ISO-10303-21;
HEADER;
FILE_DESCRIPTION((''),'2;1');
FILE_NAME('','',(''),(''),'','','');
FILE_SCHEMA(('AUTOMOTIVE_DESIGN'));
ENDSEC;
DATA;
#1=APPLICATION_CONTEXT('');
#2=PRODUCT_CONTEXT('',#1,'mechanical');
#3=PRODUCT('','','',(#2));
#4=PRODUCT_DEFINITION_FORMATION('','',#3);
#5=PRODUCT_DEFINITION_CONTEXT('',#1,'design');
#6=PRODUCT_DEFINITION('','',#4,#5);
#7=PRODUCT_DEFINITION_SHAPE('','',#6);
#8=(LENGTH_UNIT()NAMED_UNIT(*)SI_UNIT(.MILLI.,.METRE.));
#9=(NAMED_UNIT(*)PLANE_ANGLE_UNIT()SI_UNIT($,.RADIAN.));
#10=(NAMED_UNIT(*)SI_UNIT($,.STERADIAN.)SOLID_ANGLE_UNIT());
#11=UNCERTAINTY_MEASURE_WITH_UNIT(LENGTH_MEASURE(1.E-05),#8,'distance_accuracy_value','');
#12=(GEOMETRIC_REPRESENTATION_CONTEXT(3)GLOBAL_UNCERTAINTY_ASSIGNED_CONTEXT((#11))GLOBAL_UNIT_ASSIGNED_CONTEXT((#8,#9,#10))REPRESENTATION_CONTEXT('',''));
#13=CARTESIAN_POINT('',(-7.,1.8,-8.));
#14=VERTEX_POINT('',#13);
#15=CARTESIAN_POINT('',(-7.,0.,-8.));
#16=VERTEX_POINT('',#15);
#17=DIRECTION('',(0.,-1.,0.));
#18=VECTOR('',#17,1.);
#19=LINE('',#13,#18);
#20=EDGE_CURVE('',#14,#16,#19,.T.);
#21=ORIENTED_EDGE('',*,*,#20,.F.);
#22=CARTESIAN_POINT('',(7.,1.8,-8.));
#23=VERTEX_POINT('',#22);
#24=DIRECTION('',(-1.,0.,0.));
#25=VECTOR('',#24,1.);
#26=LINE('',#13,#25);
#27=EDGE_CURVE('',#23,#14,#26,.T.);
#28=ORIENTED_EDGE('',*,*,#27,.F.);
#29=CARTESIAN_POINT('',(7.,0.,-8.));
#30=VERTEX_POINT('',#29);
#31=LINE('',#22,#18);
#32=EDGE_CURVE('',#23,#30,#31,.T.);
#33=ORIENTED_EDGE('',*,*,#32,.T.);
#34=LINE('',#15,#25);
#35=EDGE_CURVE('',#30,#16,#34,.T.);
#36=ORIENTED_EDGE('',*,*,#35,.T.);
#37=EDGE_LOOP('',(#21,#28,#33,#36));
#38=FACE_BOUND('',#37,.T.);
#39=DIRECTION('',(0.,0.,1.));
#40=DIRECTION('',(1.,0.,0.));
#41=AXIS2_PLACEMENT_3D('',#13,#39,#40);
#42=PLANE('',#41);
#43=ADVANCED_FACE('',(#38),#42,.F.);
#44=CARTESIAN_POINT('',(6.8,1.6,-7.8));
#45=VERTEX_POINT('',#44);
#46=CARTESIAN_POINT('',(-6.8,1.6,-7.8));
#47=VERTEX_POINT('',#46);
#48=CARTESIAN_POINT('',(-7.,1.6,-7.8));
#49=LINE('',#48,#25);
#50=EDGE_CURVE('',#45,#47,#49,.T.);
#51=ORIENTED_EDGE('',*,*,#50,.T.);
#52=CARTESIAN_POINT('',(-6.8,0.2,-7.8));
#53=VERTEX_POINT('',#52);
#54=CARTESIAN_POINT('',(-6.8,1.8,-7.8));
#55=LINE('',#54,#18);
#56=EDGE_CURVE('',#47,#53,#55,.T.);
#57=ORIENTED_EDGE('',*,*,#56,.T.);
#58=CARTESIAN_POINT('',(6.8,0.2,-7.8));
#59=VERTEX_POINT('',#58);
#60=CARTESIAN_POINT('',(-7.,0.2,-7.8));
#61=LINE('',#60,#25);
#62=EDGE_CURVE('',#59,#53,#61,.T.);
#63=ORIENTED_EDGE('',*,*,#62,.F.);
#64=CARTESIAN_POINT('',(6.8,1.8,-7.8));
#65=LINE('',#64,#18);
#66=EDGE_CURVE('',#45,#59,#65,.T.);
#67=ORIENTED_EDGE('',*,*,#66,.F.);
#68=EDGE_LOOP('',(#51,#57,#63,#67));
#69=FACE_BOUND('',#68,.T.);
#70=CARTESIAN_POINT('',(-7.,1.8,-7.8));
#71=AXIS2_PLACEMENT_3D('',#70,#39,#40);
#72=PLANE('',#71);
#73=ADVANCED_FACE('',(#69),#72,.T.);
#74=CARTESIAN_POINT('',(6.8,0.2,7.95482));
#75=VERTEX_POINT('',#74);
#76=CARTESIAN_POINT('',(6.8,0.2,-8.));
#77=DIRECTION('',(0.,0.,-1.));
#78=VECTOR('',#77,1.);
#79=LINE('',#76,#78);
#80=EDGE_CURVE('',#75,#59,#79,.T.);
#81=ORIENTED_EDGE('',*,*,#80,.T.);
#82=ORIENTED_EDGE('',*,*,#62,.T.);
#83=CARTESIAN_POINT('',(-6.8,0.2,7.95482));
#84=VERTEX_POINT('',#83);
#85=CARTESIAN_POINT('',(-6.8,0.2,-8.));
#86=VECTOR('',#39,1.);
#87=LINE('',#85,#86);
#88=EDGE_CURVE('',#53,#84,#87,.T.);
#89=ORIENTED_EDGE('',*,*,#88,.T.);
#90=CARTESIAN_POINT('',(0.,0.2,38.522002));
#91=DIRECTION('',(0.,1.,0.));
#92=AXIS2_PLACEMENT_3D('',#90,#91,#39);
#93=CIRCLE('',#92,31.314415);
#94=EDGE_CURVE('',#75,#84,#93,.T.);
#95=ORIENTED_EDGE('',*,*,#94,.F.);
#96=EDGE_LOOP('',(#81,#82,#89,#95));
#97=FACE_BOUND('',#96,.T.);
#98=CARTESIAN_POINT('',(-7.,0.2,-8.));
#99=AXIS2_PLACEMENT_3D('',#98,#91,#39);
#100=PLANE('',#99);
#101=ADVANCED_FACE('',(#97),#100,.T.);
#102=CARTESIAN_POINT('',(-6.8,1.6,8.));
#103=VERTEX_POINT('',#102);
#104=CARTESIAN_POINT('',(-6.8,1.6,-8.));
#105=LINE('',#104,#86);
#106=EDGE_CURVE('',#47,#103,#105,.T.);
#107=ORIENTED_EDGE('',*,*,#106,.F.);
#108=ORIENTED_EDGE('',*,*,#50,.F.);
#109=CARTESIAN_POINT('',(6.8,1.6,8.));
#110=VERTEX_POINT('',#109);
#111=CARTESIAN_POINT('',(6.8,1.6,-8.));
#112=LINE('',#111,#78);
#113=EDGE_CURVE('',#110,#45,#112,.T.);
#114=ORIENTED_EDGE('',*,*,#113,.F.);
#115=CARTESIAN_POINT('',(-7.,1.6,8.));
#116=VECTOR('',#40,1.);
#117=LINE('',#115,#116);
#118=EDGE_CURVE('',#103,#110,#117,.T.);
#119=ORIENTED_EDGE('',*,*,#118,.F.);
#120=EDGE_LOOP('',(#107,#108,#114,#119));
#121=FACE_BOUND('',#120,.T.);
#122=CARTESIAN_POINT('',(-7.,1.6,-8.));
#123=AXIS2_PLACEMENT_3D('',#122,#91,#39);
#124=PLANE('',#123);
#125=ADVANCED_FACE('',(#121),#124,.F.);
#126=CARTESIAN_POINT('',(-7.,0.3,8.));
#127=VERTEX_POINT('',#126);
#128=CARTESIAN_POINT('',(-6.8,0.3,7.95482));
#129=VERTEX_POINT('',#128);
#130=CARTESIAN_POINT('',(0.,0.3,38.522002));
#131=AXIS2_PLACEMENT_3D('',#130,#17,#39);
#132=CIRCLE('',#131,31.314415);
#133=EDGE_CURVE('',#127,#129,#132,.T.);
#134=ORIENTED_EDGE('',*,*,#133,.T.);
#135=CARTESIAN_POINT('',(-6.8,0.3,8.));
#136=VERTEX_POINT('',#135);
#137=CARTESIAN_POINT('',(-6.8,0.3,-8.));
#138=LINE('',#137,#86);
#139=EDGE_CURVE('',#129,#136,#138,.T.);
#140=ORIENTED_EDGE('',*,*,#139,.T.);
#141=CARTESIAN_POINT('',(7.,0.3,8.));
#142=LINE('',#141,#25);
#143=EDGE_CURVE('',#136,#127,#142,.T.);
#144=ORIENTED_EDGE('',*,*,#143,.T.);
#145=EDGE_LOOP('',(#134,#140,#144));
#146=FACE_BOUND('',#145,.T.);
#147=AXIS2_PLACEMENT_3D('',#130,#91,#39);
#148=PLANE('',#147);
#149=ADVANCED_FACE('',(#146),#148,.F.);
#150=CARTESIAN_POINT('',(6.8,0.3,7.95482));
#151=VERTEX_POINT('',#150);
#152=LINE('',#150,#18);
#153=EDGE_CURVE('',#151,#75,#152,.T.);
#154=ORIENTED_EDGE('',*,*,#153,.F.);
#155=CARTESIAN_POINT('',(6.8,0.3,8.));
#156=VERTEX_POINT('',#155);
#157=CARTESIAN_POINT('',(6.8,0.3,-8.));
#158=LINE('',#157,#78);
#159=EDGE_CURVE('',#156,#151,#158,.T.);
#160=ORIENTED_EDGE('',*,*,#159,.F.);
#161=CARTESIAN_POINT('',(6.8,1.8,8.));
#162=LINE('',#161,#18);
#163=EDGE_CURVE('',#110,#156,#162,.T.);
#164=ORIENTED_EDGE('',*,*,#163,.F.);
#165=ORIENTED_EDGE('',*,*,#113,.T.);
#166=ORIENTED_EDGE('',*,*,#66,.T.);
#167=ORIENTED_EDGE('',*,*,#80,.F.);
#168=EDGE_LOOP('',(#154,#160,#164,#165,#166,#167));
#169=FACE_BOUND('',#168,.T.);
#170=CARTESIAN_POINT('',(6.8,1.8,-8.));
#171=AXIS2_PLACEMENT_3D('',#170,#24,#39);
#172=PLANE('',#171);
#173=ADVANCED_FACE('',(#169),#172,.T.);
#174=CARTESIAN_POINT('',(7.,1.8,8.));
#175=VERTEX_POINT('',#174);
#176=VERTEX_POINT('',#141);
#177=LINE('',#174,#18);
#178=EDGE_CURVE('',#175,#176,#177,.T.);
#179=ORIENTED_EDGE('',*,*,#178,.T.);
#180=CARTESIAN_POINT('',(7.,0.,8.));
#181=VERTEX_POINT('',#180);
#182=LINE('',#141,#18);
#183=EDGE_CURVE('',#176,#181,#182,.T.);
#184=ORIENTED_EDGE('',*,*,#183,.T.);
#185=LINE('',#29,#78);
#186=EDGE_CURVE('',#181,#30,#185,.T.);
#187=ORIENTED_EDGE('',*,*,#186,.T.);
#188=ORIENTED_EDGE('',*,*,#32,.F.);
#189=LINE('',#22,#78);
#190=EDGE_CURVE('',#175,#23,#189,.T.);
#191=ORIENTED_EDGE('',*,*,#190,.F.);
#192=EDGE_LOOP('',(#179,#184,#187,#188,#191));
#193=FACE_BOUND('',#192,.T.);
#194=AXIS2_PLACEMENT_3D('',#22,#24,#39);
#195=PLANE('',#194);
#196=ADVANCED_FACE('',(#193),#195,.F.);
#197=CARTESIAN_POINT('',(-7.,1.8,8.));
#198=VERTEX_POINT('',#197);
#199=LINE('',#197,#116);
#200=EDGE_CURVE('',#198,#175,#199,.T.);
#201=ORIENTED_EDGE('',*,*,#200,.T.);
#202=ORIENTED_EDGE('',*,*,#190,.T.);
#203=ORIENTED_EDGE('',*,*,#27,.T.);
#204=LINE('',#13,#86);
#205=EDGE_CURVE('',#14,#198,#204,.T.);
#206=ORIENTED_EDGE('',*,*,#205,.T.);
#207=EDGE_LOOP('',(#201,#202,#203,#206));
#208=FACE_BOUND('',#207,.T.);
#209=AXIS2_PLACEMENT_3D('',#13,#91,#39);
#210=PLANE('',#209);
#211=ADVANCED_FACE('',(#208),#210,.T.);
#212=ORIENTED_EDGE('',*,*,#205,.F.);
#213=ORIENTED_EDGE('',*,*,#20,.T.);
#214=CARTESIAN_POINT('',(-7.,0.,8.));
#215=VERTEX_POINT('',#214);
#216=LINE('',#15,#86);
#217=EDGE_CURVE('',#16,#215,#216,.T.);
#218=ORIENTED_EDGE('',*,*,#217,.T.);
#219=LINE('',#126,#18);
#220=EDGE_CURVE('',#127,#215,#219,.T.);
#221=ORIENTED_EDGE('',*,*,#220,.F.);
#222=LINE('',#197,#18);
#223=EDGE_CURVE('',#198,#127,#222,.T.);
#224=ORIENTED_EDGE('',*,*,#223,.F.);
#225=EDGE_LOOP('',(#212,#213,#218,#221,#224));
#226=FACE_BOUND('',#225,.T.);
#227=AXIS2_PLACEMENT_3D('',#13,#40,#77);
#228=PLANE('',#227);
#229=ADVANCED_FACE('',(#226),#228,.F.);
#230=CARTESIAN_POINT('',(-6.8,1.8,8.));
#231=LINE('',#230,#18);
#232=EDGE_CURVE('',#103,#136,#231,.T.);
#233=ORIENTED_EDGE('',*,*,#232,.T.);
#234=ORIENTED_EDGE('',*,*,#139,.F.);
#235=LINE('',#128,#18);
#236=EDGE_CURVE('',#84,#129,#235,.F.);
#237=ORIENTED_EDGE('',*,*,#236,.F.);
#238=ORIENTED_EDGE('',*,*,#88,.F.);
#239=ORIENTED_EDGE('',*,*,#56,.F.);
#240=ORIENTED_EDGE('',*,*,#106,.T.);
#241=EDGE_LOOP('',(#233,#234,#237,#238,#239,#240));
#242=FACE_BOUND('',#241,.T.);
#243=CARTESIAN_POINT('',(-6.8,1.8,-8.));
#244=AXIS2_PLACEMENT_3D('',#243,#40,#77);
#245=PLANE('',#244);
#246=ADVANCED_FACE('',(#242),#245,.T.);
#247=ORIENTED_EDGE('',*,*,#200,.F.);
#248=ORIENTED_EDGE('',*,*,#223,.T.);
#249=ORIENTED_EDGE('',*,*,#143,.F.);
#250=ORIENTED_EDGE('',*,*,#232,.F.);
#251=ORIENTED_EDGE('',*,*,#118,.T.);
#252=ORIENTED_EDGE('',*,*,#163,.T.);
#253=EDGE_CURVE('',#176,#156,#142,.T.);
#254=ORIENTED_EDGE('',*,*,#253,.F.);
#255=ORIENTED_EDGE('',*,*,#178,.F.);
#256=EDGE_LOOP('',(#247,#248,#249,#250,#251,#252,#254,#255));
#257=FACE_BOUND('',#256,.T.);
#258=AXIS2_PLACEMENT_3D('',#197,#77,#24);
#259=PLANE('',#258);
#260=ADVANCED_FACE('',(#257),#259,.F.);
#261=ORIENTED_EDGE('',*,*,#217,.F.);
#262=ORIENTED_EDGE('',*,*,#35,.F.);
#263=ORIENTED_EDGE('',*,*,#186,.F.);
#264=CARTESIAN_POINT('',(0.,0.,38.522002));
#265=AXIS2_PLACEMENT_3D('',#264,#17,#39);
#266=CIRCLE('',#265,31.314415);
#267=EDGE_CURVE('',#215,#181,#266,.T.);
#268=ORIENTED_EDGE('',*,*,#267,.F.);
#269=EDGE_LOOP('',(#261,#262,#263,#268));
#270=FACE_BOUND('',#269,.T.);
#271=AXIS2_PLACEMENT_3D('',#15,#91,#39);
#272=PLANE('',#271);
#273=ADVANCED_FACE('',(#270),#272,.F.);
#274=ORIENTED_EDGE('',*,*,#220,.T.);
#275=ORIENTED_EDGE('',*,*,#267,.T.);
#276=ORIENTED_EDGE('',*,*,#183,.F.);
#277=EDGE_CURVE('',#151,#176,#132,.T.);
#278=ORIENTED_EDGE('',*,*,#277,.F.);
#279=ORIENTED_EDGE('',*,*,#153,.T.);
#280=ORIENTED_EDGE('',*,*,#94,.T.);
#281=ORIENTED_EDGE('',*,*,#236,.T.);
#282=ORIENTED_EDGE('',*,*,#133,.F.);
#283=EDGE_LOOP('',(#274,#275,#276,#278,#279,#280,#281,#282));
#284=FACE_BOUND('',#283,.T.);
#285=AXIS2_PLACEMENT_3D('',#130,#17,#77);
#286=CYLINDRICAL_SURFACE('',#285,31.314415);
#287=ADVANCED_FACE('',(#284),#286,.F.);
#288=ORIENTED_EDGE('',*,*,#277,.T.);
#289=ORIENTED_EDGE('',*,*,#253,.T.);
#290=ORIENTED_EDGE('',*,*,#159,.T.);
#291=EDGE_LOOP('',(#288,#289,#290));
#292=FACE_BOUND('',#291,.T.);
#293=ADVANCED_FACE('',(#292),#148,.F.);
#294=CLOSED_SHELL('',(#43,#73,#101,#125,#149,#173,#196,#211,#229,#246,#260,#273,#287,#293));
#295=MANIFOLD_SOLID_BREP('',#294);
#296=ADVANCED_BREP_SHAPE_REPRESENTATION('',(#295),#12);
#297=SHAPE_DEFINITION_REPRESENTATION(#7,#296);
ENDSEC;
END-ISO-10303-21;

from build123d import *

# Parameters (mm, degrees)
SKETCH_1_W          = 14
SKETCH_1_H          = 16
EXTRUDE_1_DEPTH     = 1.8
SHELL_1_T           = -0.2
CUT_EXTRUDE_2_DEPTH = 0.3


with BuildPart() as part:
    # 草图1 → 拉伸1 (new body)
    with BuildSketch(Plane(origin=(0, 0, 0), x_dir=(1, 0, 0), z_dir=(0, 1, 0))):
        Rectangle(SKETCH_1_W, SKETCH_1_H)
    extrude(amount=EXTRUDE_1_DEPTH)

    # 抽壳1
    shell_1_openings = [part.faces().sort_by_distance(p)[0] for p in [
        (0, 0.9, 8),
    ]]
    offset(amount=SHELL_1_T, openings=shell_1_openings, kind=Kind.INTERSECTION)

    # 草图2 → 切除-拉伸2 (cut)
    with BuildSketch(Plane.XZ):
        with BuildLine():
            Line((7, 8), (-7, 8))
            ThreePointArc((-7, 8), (0, 7.20758668), (7, 8))
        make_face()
    extrude(amount=-CUT_EXTRUDE_2_DEPTH, mode=Mode.SUBTRACT)


solid = part.part
